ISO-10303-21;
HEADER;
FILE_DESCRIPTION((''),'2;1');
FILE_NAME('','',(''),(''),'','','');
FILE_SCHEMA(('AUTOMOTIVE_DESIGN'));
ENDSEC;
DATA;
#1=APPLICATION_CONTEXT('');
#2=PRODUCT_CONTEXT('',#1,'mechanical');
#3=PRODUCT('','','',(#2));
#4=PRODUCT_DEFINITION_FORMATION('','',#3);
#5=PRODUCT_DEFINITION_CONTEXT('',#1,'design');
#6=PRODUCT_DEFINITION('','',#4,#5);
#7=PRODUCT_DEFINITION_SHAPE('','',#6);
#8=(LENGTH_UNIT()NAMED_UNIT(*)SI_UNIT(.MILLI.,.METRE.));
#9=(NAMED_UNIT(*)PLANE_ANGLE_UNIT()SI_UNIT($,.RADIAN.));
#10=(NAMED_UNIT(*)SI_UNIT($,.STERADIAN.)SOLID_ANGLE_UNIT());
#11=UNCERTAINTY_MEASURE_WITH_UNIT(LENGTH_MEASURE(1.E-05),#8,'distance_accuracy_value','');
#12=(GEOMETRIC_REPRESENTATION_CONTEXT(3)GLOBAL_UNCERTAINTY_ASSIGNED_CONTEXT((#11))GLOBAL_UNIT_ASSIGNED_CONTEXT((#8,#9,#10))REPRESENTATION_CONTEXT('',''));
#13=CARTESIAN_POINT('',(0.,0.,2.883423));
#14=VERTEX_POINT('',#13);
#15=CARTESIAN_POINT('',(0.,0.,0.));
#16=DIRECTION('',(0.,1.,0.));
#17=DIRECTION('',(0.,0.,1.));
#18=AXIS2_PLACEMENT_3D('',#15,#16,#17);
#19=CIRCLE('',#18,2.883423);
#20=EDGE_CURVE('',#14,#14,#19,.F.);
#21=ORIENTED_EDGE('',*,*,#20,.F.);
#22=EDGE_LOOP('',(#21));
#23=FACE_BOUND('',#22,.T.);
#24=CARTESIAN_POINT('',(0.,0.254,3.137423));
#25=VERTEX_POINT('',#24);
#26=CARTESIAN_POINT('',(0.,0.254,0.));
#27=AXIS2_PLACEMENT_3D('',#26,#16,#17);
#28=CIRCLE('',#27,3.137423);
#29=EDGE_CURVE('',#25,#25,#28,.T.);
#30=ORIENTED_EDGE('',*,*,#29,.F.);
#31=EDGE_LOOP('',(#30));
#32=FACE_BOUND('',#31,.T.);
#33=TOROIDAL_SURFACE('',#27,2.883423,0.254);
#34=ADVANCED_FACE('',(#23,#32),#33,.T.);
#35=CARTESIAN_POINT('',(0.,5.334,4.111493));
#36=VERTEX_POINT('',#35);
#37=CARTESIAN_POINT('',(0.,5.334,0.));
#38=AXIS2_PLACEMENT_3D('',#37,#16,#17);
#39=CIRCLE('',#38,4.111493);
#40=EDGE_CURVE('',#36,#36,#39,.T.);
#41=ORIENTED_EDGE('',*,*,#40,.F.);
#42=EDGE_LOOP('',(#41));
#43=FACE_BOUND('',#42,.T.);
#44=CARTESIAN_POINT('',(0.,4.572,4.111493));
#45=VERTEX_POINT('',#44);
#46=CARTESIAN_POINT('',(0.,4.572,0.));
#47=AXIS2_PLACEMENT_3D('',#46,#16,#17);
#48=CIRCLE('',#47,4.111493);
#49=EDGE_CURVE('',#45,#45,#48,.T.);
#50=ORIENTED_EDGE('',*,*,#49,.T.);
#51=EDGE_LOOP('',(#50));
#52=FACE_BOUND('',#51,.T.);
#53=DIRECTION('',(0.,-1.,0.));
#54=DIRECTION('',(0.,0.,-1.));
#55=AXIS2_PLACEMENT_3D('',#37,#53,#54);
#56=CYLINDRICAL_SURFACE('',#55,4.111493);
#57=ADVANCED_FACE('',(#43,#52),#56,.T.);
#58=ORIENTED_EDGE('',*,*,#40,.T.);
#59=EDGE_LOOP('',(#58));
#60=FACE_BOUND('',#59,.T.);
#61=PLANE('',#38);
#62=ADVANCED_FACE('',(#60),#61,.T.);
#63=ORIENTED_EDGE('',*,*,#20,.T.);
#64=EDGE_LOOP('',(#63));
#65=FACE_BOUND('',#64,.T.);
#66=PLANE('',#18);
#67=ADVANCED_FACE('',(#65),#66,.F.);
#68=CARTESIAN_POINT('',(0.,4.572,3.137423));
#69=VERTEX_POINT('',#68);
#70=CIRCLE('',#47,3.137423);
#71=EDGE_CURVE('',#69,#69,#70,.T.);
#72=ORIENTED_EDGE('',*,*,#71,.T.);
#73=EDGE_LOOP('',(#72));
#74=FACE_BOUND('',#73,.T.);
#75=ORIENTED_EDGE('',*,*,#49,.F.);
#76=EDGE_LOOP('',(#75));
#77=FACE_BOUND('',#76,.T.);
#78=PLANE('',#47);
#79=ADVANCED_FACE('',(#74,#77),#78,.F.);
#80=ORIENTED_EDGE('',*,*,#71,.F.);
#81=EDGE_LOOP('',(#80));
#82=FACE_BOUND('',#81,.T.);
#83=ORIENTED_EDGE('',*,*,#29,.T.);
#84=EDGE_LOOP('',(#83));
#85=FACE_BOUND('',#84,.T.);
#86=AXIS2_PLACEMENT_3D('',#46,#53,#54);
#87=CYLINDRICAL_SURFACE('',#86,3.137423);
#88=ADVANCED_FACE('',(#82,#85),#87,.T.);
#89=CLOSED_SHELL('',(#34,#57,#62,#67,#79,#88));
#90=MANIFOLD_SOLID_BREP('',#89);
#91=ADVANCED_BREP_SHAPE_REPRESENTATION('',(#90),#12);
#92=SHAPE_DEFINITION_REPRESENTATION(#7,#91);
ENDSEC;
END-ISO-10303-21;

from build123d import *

# Parameters (mm, degrees)
SKETCH1_R           = 3.137422597
BOSS_EXTRUDE1_DEPTH = 4.572
FILLET3_R           = 0.254
SKETCH2_R           = 4.111492789
BOSS_EXTRUDE3_DEPTH = 0.762


with BuildPart() as part:
    # Sketch1 → Boss-Extrude1 (new body)
    with BuildSketch(Plane(origin=(0, 0, 0), x_dir=(1, 0, 0), z_dir=(0, 1, 0))):
        Circle(SKETCH1_R)
    extrude(amount=BOSS_EXTRUDE1_DEPTH)

    # Fillet3
    fillet3_edges = [part.edges().sort_by_distance(p)[0] for p in [
        (-3.137422597, 0, 0),
    ]]
    fillet(fillet3_edges, radius=FILLET3_R)

    # Sketch2 → Boss-Extrude3 (add)
    with BuildSketch(Plane(origin=(0, 4.572, 0), x_dir=(1, 0, 0), z_dir=(0, 1, 0))):
        Circle(SKETCH2_R)
    extrude(amount=BOSS_EXTRUDE3_DEPTH)


solid = part.part
